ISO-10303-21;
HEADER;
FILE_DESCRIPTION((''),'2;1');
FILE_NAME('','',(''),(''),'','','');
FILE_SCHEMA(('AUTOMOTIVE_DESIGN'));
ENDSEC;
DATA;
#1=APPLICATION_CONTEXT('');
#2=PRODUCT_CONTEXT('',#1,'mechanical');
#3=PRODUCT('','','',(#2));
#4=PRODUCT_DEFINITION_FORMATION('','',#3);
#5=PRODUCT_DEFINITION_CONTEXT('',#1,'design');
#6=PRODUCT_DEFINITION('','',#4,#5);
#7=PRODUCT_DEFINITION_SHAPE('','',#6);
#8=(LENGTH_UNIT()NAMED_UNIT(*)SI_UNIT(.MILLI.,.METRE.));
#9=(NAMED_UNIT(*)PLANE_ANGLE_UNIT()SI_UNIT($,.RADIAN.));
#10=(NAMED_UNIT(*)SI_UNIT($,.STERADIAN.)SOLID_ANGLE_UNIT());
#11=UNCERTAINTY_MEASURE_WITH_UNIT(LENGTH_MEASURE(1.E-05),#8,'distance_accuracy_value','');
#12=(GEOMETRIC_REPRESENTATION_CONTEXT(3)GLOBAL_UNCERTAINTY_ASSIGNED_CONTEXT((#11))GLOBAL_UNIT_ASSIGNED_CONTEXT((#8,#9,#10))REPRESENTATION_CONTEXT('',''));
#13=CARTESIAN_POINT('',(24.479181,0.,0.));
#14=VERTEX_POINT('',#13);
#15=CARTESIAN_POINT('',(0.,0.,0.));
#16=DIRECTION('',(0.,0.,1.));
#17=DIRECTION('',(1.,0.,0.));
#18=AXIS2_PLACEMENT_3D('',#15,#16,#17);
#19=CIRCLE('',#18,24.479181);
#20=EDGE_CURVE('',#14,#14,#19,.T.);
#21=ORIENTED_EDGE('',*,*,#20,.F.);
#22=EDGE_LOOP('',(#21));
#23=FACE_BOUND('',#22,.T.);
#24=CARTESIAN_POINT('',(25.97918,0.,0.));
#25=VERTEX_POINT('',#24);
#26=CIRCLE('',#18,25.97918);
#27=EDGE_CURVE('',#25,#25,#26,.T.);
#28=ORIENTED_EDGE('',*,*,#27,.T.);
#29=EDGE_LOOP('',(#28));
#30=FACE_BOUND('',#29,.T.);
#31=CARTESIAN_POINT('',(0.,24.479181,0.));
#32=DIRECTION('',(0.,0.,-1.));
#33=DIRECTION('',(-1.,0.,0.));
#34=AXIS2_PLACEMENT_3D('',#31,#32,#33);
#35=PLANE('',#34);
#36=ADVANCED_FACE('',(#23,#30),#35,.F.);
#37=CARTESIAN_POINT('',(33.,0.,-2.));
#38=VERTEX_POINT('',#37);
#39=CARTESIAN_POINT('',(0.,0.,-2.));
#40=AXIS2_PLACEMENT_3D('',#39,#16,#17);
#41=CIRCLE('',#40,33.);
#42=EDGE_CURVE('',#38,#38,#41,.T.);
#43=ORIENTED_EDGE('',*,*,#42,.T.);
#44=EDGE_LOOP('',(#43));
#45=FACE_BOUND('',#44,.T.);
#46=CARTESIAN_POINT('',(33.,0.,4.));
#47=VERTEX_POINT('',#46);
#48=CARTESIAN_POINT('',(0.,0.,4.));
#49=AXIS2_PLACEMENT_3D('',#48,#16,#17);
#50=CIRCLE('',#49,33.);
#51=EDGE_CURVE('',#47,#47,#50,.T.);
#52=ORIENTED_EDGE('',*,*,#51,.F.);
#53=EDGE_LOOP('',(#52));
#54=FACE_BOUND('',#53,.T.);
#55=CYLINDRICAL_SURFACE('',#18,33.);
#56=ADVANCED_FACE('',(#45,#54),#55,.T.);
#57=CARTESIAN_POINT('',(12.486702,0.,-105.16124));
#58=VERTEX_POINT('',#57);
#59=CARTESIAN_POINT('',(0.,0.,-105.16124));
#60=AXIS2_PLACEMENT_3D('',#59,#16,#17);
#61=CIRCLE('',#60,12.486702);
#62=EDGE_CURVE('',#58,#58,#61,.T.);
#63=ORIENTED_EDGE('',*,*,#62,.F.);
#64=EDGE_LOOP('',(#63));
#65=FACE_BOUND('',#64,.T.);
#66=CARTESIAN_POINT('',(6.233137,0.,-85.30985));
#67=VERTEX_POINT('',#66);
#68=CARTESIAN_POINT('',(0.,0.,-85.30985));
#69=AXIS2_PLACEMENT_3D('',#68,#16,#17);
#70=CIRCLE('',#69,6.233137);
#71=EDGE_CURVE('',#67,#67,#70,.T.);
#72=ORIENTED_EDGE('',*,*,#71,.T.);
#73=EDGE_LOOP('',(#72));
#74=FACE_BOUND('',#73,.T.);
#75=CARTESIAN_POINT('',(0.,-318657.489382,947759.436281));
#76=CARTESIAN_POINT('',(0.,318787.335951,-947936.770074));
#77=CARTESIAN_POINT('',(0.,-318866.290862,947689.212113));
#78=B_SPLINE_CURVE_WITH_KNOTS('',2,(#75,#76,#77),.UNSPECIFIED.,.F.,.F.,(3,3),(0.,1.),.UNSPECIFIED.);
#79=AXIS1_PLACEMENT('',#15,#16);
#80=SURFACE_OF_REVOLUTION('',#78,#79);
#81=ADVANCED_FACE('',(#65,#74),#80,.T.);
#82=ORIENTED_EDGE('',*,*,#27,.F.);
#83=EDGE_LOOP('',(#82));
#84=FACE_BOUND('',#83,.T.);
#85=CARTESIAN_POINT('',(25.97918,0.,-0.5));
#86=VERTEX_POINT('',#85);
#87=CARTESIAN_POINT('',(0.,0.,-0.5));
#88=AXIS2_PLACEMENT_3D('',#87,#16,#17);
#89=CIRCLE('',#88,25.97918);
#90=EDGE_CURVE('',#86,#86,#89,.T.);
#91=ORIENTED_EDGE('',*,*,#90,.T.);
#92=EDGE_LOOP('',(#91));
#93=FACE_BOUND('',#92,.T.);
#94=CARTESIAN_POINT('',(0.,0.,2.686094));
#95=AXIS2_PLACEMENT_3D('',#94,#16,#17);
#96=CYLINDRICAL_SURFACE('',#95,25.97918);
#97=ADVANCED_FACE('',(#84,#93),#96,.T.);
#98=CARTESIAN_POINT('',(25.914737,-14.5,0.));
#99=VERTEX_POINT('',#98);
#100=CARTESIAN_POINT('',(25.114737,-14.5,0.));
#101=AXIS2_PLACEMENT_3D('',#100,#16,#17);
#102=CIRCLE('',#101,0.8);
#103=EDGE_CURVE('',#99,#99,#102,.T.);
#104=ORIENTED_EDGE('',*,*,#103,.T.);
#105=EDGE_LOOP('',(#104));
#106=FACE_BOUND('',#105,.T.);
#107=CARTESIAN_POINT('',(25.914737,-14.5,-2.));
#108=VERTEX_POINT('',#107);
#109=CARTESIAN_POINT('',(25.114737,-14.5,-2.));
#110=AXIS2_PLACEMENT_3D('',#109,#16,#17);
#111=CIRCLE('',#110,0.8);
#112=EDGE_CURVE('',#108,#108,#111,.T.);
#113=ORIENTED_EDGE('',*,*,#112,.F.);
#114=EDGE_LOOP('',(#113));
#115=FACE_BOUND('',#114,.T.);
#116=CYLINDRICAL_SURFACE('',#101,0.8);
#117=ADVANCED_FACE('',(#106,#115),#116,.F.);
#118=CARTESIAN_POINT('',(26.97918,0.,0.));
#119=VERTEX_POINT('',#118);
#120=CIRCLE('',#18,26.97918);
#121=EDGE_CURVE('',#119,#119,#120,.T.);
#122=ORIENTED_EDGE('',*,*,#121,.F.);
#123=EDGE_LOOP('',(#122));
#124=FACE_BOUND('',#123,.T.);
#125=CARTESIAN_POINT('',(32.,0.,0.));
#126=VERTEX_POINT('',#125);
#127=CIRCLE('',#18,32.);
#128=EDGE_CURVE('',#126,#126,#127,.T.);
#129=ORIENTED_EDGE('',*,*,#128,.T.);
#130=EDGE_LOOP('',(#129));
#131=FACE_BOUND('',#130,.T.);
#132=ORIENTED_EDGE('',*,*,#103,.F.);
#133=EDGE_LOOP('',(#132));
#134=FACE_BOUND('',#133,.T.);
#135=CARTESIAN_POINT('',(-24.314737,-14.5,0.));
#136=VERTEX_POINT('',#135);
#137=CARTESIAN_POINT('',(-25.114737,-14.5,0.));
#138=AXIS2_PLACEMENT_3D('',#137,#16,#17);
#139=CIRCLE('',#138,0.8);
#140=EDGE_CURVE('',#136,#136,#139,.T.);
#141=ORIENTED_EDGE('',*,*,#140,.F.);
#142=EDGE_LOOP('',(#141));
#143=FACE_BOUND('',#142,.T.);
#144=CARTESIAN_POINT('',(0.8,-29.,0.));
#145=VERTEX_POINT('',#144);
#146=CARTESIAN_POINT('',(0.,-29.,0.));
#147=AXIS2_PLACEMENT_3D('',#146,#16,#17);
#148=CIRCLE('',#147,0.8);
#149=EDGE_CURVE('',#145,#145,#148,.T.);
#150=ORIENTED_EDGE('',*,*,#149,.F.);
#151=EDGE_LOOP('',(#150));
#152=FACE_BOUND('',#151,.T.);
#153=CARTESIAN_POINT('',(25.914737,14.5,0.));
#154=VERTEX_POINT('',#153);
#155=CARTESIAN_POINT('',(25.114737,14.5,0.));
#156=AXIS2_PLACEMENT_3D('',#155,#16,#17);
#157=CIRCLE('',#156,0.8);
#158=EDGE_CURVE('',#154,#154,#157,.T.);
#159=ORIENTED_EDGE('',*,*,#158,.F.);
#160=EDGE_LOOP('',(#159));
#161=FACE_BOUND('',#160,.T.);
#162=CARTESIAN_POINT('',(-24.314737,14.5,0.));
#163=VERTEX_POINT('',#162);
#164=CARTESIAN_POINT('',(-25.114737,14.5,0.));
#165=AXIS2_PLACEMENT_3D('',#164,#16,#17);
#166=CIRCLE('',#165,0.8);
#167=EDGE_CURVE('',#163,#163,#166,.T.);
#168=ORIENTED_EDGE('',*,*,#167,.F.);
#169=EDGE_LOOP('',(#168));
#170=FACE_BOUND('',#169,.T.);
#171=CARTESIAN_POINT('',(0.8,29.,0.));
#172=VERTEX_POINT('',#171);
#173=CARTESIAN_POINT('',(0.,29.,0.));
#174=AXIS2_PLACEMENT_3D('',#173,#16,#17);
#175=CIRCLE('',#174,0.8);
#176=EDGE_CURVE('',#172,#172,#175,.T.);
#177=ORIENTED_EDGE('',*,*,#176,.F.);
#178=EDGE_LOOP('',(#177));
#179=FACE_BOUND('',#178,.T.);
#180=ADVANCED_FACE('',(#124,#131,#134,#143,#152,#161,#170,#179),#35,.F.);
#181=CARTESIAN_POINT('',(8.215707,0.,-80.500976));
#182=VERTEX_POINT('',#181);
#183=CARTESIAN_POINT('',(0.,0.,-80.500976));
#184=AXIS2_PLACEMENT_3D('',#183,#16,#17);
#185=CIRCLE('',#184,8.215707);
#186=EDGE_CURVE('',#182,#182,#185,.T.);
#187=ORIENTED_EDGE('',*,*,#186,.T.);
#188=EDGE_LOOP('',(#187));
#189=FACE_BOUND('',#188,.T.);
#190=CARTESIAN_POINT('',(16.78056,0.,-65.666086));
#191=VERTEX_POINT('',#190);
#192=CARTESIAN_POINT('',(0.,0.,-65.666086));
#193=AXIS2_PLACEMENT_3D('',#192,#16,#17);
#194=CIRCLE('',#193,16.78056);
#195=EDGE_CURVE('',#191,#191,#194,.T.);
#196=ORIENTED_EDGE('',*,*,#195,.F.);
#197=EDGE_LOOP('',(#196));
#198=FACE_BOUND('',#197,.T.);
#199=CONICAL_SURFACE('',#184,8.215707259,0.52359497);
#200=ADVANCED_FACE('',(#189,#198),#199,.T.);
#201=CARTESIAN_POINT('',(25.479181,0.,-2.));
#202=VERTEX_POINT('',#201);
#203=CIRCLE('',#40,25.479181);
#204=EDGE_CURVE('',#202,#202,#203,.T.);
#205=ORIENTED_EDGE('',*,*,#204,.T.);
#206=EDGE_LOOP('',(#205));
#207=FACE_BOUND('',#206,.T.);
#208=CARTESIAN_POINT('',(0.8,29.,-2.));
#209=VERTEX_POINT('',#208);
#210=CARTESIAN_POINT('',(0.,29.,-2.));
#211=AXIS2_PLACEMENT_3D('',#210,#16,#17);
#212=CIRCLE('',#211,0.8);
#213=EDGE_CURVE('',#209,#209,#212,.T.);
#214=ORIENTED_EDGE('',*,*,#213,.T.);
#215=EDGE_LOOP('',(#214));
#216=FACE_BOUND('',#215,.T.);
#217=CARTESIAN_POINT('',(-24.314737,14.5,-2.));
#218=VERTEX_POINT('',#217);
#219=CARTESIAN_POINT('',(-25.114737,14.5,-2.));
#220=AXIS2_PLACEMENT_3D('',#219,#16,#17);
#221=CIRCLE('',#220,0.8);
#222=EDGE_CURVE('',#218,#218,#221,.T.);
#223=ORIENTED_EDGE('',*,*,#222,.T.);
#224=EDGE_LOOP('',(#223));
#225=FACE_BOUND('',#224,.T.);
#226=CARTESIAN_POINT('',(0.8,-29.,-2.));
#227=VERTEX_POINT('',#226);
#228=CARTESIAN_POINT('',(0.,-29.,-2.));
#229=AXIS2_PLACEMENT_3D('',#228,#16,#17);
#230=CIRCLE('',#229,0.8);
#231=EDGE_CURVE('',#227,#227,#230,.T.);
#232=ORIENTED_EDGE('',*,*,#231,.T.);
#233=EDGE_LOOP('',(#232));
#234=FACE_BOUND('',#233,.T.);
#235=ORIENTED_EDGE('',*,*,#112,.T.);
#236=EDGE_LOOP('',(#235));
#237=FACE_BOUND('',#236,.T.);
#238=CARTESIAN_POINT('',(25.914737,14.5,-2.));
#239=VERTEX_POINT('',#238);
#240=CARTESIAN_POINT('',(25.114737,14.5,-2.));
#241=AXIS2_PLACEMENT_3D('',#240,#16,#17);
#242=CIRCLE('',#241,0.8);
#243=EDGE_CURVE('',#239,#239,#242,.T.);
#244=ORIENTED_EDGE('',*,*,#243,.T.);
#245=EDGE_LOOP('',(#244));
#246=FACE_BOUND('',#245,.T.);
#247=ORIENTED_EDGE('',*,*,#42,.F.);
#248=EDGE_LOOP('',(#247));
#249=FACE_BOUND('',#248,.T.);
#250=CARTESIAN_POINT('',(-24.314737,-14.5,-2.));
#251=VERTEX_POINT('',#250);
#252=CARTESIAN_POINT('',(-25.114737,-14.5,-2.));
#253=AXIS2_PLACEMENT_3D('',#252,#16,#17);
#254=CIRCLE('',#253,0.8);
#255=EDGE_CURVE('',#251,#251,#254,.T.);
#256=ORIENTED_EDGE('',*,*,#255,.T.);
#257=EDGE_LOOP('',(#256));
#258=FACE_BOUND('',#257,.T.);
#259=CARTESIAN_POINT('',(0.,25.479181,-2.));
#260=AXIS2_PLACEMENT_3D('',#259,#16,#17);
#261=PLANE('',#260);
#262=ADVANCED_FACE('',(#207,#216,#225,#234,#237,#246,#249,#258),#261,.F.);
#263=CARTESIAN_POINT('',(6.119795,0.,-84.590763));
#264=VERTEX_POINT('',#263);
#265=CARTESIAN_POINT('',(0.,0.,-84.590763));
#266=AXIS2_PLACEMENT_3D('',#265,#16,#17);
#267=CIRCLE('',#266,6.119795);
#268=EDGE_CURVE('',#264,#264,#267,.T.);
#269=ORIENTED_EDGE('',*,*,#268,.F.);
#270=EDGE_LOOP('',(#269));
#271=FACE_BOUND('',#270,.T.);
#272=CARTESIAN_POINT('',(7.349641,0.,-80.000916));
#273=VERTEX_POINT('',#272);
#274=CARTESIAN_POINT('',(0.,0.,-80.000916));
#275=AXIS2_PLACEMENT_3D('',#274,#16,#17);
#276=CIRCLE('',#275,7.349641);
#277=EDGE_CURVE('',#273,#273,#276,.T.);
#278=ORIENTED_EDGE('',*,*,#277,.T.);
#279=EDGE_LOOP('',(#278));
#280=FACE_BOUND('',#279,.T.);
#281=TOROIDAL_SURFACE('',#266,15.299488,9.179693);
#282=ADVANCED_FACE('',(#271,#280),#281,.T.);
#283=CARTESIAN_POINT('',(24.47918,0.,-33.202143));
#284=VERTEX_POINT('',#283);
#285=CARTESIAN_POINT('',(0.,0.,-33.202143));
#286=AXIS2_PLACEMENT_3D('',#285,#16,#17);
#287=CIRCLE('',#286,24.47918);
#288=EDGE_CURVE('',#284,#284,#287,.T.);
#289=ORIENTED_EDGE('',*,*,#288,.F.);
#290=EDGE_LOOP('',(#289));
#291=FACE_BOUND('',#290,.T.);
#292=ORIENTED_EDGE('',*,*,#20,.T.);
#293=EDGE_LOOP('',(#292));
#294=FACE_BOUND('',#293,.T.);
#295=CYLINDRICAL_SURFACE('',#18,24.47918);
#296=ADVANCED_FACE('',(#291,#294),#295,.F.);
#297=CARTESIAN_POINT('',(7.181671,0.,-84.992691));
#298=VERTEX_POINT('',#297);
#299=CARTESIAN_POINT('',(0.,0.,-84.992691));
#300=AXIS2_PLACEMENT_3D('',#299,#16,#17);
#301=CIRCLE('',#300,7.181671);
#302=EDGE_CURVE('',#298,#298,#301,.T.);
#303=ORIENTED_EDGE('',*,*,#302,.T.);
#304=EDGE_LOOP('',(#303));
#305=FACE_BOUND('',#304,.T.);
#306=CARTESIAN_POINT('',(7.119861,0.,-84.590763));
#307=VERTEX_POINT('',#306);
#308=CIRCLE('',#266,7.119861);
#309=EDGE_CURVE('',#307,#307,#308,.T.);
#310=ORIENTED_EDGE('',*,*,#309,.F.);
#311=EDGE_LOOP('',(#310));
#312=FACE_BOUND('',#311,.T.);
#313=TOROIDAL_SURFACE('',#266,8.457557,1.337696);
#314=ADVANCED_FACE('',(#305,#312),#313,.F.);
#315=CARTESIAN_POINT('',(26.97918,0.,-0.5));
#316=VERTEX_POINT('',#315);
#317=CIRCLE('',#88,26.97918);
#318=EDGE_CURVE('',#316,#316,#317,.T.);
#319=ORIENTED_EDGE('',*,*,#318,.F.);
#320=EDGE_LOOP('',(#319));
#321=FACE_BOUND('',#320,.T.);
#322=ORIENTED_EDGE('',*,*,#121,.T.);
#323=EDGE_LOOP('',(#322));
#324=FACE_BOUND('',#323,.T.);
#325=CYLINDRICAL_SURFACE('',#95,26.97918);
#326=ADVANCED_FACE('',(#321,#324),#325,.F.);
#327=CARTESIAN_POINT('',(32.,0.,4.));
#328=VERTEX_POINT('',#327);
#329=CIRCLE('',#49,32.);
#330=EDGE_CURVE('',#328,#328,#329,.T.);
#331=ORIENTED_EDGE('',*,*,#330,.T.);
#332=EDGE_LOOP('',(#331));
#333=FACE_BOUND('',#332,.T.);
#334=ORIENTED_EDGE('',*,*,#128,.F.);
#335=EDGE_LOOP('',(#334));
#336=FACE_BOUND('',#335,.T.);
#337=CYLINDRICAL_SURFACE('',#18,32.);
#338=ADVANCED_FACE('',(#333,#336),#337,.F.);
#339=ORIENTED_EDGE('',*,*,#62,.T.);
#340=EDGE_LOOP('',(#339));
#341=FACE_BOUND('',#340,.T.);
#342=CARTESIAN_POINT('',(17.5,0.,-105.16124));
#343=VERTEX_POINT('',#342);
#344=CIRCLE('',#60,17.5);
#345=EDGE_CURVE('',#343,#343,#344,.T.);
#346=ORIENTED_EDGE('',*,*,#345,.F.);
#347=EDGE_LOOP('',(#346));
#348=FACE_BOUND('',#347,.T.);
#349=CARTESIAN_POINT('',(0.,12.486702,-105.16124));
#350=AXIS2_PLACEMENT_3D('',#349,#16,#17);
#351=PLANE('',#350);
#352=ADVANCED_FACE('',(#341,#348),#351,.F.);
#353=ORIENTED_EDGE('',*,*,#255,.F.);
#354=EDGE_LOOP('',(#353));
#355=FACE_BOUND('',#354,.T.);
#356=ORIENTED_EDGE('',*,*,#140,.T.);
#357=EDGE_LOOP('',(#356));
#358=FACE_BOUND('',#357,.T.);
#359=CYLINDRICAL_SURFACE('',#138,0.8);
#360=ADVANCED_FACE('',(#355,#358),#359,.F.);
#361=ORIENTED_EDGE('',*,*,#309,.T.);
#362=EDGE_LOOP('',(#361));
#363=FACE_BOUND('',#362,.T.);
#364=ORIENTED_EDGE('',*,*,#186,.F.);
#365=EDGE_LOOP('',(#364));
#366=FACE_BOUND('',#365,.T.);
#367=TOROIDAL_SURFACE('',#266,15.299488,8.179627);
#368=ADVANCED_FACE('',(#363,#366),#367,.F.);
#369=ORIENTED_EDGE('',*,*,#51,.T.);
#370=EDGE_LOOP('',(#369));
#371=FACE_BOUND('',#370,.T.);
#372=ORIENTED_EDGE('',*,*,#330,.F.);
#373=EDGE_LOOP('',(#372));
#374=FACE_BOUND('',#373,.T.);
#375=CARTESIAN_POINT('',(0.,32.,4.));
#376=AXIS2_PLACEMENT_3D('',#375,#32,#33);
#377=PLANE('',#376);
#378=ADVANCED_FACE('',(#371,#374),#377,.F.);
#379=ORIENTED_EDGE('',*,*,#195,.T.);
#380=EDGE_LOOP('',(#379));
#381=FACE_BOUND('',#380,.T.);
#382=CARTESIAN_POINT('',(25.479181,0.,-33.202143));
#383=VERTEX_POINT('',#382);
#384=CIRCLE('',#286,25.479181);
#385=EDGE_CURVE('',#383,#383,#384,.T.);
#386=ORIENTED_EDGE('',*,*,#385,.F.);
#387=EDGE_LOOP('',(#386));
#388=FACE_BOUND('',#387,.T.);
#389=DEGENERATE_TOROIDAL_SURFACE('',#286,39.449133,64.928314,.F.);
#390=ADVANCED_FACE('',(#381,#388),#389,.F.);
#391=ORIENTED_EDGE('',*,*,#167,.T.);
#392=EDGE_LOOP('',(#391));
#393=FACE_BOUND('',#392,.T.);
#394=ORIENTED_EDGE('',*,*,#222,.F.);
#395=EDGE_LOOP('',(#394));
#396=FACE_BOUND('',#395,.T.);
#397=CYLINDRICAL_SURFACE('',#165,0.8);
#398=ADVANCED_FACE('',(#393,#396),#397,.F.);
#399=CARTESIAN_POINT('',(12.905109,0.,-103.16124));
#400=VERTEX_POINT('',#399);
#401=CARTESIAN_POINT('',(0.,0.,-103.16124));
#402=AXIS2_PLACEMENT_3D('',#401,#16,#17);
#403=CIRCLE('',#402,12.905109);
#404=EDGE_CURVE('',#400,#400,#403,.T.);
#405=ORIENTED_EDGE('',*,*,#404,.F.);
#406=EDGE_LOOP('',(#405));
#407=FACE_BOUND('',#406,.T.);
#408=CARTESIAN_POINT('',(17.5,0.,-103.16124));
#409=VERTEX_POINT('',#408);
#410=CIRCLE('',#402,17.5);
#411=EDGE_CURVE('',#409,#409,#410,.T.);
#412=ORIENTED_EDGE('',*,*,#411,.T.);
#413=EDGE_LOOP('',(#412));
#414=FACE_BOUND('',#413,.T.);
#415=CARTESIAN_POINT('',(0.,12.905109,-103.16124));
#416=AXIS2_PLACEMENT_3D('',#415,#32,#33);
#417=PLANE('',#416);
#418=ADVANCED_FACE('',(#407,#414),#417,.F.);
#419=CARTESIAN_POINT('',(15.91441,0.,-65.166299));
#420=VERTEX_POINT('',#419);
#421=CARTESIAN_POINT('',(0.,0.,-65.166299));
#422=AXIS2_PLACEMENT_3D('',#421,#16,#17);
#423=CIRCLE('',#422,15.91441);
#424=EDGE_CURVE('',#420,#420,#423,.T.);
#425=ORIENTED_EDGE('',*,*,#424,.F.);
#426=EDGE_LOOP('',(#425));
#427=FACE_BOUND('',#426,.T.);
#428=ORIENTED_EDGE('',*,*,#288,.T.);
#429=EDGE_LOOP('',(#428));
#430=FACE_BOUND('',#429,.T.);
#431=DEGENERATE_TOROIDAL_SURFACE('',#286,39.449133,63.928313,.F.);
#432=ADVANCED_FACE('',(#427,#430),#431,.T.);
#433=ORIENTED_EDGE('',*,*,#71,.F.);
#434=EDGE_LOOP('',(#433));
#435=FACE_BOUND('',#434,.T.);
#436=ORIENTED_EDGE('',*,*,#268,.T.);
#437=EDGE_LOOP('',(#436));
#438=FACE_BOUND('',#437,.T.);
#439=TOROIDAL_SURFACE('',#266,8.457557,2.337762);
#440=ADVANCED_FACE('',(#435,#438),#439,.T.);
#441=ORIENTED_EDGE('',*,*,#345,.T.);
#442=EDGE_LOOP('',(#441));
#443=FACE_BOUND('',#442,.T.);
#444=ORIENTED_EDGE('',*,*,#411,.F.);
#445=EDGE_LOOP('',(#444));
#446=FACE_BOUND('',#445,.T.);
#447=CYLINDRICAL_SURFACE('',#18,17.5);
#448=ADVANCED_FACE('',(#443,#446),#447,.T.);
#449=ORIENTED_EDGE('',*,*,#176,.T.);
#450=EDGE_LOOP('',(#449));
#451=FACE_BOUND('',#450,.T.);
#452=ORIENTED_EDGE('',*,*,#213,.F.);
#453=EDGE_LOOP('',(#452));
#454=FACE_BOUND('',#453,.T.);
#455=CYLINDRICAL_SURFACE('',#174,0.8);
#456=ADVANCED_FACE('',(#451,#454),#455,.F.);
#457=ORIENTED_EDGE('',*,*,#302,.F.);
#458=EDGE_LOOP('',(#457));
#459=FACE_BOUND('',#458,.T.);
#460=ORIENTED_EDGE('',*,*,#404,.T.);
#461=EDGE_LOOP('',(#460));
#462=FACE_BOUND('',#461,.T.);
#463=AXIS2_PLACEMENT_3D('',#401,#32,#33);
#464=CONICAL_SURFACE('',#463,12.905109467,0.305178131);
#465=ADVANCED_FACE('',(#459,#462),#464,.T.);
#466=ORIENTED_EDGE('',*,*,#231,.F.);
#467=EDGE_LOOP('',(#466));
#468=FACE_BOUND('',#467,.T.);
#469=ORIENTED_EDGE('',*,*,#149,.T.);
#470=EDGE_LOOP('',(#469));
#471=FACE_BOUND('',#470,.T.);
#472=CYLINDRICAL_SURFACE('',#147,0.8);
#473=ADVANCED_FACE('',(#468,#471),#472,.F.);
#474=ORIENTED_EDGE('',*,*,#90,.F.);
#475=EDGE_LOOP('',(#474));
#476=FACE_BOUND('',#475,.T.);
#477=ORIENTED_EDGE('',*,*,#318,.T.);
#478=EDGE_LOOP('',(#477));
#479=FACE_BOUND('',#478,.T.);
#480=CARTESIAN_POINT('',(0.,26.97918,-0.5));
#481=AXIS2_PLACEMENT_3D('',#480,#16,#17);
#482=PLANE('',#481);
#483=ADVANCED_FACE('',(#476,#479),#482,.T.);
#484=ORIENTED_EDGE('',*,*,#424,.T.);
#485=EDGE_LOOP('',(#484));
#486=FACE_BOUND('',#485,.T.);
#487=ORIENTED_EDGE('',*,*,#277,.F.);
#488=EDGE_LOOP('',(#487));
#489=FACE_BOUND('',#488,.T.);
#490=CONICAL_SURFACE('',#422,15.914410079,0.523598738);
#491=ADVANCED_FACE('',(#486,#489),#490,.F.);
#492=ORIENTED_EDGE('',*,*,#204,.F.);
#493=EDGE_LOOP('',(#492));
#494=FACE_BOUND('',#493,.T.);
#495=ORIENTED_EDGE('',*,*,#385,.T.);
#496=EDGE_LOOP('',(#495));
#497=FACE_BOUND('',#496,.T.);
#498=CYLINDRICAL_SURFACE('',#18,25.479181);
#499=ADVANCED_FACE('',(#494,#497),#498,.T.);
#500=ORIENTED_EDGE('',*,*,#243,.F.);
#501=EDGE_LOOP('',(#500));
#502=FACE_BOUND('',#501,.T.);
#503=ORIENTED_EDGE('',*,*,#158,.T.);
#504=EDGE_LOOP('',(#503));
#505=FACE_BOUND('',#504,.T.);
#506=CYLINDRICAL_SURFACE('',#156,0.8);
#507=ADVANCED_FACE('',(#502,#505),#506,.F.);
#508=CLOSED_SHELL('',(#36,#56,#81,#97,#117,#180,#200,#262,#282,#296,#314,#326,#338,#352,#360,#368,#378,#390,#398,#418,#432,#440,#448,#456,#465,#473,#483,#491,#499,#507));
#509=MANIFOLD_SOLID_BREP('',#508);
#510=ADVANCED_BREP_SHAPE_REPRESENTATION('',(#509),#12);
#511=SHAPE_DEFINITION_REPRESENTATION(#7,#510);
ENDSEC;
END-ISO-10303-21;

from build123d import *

# Parameters (mm, degrees)
M2X0_4_TAPPED_HOLE1_D = 1.6
CIRPATTERN1_COUNT     = 6
SKETCH7_W             = 0.5
SKETCH7_H             = 1


with BuildPart() as part:
    # Sketch3 → Main Base (revolve)
    with BuildSketch(Plane(origin=(0, 0, 0), x_dir=(0, 0, -1), z_dir=(1, 0, 0)), mode=Mode.PRIVATE) as main_base_sk:
        with BuildLine():
            Line((0, 24.479181), (33.202143, 24.47918))
            ThreePointArc((33.202143, 24.47918), (49.748007926, 22.300875558), (65.1662995, 15.914410079))
            Line((65.1662995, 15.914410079), (80.000916, 7.349641))
            ThreePointArc((80.000916, 7.349641), (82.214883341, 6.432585552), (84.590763, 6.119795))
            ThreePointArc((84.590763, 6.119795), (84.954745401, 6.148304311), (85.309850177, 6.233136896))
            add(Edge.make_bspline(
                [(85.309850177, 6.233136896), (101.510458516, 11.470300103), (105.161240485, 12.486702482)],
                knots=[0, 0, 0, 1, 1, 1], degree=2))
            Line((105.161240485, 12.486702482), (105.161240485, 17.5))
            Line((105.161240485, 17.5), (103.161240485, 17.5))
            Line((103.161240485, 17.5), (103.161240485, 12.905109467))
            Line((103.161240485, 12.905109467), (84.9926914, 7.181670879))
            ThreePointArc((84.9926914, 7.181670879), (84.794089673, 7.135403418), (84.590762984, 7.119860535))
            ThreePointArc((84.590762984, 7.119860535), (82.473734699, 7.398570567), (80.500976308, 8.215707259))
            Line((80.500976308, 8.215707259), (65.666086023, 16.780559888))
            ThreePointArc((65.666086023, 16.780559888), (50.0067079, 23.266834324), (33.202143, 25.479181))
            Line((33.202143, 25.479181), (2, 25.479181))
            Line((2, 25.479181), (2, 33))
            Line((2, 33), (-4, 33))
            Line((-4, 33), (-4, 32))
            Line((-4, 32), (0, 32))
            Line((0, 32), (0, 24.479181))
        make_face()
    revolve(main_base_sk.sketch.rotate(Axis((0, 0, 0), (0, 0, -1)), 90), axis=Axis((0, 0, 0), (0, 0, -1)))

    # M2x0.4 Tapped Hole1 (through all)
    with Locations(Plane.XY):
        with Locations((0, 29)):
            m2x0_4_tapped_hole1 = Hole(M2X0_4_TAPPED_HOLE1_D / 2)

    # CirPattern1: M2x0.4 Tapped Hole1 ×6 about axis
    cirpattern1_axis = Axis((0, 0, 0), (0, 0, 1))
    for i in range(1, CIRPATTERN1_COUNT):
        add(m2x0_4_tapped_hole1.rotate(cirpattern1_axis, i * 360 / CIRPATTERN1_COUNT), mode=Mode.SUBTRACT)

    # Sketch7 → Face O-Ring (revolve, cut)
    with BuildSketch(Plane(origin=(0, 0, 0), x_dir=(0, 0, -1), z_dir=(1, 0, 0)), mode=Mode.PRIVATE) as face_o_ring_sk:
        with Locations((0.25, 26.4791805)):
            Rectangle(SKETCH7_W, SKETCH7_H)
    revolve(face_o_ring_sk.sketch.rotate(Axis((0, 0, 2.686094), (0, 0, -1)), 90), axis=Axis((0, 0, 2.686094), (0, 0, -1)), mode=Mode.SUBTRACT)


solid = part.part
